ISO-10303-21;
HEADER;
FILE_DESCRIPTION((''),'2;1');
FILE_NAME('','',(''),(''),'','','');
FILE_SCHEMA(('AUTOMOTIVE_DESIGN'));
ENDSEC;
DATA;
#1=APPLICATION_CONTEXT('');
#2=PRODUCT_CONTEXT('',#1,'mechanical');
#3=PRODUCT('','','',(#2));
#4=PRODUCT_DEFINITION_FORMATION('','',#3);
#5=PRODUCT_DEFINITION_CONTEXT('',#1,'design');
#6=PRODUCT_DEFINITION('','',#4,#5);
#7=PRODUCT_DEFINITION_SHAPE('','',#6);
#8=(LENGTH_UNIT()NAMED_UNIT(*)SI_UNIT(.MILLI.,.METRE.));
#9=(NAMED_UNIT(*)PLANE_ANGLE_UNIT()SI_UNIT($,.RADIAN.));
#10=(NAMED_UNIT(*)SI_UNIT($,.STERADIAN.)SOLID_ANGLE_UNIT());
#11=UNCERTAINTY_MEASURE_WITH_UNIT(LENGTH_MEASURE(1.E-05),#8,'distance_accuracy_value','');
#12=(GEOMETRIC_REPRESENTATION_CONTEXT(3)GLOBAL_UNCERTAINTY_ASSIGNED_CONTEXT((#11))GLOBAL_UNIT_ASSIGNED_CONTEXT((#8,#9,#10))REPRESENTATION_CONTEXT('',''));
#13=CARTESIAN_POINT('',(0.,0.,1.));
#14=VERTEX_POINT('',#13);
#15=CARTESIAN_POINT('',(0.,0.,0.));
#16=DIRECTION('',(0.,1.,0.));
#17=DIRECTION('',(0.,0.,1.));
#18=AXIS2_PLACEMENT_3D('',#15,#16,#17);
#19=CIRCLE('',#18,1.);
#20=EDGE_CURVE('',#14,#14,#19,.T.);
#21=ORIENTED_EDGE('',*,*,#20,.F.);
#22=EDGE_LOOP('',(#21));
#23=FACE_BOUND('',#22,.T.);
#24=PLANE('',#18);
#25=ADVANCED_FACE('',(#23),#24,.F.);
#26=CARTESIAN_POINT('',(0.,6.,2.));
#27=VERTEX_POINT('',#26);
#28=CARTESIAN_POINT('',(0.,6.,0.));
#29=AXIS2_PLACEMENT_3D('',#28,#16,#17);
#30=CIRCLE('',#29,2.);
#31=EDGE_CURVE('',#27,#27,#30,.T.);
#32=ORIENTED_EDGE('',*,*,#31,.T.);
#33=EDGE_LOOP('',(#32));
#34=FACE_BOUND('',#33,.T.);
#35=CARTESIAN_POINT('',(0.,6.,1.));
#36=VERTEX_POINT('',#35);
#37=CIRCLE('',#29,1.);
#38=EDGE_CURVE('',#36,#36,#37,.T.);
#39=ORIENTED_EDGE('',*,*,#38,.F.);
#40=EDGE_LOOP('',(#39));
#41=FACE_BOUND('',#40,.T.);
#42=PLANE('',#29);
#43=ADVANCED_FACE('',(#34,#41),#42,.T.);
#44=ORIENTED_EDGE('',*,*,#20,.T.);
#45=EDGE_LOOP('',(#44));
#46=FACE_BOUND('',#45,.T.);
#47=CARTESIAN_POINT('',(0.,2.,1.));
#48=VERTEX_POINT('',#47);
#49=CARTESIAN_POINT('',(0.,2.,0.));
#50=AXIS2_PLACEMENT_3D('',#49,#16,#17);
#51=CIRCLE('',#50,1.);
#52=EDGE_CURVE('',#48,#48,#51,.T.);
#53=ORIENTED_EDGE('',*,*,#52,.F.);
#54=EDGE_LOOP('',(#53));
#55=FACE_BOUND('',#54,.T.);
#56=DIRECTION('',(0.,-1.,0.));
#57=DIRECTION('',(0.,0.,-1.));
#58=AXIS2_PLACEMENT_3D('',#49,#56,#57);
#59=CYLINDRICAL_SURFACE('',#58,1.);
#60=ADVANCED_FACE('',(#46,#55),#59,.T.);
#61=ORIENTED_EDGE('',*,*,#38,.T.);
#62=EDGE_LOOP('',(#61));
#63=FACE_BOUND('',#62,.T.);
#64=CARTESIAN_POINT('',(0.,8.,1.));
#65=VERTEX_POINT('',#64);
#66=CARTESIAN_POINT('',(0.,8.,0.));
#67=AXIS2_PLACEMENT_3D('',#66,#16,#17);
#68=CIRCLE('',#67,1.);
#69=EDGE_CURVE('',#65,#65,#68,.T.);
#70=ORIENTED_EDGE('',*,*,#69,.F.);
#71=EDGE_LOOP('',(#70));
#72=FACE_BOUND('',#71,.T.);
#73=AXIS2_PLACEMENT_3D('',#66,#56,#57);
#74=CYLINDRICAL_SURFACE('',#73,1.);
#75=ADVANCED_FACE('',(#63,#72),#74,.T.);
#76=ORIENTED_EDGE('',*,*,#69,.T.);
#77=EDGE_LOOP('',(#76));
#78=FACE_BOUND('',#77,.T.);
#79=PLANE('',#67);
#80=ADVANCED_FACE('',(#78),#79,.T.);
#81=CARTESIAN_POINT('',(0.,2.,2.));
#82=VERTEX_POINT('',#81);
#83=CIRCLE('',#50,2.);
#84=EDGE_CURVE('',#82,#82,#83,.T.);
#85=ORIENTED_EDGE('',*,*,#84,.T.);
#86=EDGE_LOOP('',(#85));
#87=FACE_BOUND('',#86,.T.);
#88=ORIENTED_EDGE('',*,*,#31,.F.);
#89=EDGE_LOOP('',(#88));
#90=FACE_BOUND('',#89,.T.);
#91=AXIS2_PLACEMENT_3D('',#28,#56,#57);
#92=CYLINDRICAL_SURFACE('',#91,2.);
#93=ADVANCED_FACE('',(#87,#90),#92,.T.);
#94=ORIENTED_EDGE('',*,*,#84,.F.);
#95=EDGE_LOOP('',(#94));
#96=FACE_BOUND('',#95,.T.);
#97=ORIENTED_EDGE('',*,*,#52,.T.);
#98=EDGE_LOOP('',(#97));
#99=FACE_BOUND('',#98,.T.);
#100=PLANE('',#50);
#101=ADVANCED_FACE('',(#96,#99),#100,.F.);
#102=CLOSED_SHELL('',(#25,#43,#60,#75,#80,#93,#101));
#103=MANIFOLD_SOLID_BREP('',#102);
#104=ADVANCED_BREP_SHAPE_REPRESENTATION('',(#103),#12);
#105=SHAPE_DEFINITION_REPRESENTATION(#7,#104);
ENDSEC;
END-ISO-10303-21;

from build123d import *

# Parameters (mm, degrees)
SKETCH_1_R      = 1
EXTRUDE_1_DEPTH = 2
SKETCH_2_R      = 2
EXTRUDE_2_DEPTH = 4
SKETCH_3_R      = 1
EXTRUDE_3_DEPTH = 2


with BuildPart() as part:
    # 草图1 → 凸台-拉伸1 (new body)
    with BuildSketch(Plane(origin=(0, 0, 0), x_dir=(1, 0, 0), z_dir=(0, 1, 0))):
        with Locations(Location((0, 0, 0), (0, 0, 270))):
            Circle(SKETCH_1_R)
    extrude(amount=EXTRUDE_1_DEPTH)

    # 草图2 → 凸台-拉伸2 (add)
    with BuildSketch(Plane(origin=(0, 2, 0), x_dir=(1, 0, 0), z_dir=(0, 1, 0))):
        with Locations(Location((0, 0, 0), (0, 0, 270))):
            Circle(SKETCH_2_R)
    extrude(amount=EXTRUDE_2_DEPTH)

    # 草图3 → 凸台-拉伸3 (add)
    with BuildSketch(Plane(origin=(0, 6, 0), x_dir=(1, 0, 0), z_dir=(0, 1, 0))):
        with Locations(Location((0, 0, 0), (0, 0, 270))):
            Circle(SKETCH_3_R)
    extrude(amount=EXTRUDE_3_DEPTH)


solid = part.part
